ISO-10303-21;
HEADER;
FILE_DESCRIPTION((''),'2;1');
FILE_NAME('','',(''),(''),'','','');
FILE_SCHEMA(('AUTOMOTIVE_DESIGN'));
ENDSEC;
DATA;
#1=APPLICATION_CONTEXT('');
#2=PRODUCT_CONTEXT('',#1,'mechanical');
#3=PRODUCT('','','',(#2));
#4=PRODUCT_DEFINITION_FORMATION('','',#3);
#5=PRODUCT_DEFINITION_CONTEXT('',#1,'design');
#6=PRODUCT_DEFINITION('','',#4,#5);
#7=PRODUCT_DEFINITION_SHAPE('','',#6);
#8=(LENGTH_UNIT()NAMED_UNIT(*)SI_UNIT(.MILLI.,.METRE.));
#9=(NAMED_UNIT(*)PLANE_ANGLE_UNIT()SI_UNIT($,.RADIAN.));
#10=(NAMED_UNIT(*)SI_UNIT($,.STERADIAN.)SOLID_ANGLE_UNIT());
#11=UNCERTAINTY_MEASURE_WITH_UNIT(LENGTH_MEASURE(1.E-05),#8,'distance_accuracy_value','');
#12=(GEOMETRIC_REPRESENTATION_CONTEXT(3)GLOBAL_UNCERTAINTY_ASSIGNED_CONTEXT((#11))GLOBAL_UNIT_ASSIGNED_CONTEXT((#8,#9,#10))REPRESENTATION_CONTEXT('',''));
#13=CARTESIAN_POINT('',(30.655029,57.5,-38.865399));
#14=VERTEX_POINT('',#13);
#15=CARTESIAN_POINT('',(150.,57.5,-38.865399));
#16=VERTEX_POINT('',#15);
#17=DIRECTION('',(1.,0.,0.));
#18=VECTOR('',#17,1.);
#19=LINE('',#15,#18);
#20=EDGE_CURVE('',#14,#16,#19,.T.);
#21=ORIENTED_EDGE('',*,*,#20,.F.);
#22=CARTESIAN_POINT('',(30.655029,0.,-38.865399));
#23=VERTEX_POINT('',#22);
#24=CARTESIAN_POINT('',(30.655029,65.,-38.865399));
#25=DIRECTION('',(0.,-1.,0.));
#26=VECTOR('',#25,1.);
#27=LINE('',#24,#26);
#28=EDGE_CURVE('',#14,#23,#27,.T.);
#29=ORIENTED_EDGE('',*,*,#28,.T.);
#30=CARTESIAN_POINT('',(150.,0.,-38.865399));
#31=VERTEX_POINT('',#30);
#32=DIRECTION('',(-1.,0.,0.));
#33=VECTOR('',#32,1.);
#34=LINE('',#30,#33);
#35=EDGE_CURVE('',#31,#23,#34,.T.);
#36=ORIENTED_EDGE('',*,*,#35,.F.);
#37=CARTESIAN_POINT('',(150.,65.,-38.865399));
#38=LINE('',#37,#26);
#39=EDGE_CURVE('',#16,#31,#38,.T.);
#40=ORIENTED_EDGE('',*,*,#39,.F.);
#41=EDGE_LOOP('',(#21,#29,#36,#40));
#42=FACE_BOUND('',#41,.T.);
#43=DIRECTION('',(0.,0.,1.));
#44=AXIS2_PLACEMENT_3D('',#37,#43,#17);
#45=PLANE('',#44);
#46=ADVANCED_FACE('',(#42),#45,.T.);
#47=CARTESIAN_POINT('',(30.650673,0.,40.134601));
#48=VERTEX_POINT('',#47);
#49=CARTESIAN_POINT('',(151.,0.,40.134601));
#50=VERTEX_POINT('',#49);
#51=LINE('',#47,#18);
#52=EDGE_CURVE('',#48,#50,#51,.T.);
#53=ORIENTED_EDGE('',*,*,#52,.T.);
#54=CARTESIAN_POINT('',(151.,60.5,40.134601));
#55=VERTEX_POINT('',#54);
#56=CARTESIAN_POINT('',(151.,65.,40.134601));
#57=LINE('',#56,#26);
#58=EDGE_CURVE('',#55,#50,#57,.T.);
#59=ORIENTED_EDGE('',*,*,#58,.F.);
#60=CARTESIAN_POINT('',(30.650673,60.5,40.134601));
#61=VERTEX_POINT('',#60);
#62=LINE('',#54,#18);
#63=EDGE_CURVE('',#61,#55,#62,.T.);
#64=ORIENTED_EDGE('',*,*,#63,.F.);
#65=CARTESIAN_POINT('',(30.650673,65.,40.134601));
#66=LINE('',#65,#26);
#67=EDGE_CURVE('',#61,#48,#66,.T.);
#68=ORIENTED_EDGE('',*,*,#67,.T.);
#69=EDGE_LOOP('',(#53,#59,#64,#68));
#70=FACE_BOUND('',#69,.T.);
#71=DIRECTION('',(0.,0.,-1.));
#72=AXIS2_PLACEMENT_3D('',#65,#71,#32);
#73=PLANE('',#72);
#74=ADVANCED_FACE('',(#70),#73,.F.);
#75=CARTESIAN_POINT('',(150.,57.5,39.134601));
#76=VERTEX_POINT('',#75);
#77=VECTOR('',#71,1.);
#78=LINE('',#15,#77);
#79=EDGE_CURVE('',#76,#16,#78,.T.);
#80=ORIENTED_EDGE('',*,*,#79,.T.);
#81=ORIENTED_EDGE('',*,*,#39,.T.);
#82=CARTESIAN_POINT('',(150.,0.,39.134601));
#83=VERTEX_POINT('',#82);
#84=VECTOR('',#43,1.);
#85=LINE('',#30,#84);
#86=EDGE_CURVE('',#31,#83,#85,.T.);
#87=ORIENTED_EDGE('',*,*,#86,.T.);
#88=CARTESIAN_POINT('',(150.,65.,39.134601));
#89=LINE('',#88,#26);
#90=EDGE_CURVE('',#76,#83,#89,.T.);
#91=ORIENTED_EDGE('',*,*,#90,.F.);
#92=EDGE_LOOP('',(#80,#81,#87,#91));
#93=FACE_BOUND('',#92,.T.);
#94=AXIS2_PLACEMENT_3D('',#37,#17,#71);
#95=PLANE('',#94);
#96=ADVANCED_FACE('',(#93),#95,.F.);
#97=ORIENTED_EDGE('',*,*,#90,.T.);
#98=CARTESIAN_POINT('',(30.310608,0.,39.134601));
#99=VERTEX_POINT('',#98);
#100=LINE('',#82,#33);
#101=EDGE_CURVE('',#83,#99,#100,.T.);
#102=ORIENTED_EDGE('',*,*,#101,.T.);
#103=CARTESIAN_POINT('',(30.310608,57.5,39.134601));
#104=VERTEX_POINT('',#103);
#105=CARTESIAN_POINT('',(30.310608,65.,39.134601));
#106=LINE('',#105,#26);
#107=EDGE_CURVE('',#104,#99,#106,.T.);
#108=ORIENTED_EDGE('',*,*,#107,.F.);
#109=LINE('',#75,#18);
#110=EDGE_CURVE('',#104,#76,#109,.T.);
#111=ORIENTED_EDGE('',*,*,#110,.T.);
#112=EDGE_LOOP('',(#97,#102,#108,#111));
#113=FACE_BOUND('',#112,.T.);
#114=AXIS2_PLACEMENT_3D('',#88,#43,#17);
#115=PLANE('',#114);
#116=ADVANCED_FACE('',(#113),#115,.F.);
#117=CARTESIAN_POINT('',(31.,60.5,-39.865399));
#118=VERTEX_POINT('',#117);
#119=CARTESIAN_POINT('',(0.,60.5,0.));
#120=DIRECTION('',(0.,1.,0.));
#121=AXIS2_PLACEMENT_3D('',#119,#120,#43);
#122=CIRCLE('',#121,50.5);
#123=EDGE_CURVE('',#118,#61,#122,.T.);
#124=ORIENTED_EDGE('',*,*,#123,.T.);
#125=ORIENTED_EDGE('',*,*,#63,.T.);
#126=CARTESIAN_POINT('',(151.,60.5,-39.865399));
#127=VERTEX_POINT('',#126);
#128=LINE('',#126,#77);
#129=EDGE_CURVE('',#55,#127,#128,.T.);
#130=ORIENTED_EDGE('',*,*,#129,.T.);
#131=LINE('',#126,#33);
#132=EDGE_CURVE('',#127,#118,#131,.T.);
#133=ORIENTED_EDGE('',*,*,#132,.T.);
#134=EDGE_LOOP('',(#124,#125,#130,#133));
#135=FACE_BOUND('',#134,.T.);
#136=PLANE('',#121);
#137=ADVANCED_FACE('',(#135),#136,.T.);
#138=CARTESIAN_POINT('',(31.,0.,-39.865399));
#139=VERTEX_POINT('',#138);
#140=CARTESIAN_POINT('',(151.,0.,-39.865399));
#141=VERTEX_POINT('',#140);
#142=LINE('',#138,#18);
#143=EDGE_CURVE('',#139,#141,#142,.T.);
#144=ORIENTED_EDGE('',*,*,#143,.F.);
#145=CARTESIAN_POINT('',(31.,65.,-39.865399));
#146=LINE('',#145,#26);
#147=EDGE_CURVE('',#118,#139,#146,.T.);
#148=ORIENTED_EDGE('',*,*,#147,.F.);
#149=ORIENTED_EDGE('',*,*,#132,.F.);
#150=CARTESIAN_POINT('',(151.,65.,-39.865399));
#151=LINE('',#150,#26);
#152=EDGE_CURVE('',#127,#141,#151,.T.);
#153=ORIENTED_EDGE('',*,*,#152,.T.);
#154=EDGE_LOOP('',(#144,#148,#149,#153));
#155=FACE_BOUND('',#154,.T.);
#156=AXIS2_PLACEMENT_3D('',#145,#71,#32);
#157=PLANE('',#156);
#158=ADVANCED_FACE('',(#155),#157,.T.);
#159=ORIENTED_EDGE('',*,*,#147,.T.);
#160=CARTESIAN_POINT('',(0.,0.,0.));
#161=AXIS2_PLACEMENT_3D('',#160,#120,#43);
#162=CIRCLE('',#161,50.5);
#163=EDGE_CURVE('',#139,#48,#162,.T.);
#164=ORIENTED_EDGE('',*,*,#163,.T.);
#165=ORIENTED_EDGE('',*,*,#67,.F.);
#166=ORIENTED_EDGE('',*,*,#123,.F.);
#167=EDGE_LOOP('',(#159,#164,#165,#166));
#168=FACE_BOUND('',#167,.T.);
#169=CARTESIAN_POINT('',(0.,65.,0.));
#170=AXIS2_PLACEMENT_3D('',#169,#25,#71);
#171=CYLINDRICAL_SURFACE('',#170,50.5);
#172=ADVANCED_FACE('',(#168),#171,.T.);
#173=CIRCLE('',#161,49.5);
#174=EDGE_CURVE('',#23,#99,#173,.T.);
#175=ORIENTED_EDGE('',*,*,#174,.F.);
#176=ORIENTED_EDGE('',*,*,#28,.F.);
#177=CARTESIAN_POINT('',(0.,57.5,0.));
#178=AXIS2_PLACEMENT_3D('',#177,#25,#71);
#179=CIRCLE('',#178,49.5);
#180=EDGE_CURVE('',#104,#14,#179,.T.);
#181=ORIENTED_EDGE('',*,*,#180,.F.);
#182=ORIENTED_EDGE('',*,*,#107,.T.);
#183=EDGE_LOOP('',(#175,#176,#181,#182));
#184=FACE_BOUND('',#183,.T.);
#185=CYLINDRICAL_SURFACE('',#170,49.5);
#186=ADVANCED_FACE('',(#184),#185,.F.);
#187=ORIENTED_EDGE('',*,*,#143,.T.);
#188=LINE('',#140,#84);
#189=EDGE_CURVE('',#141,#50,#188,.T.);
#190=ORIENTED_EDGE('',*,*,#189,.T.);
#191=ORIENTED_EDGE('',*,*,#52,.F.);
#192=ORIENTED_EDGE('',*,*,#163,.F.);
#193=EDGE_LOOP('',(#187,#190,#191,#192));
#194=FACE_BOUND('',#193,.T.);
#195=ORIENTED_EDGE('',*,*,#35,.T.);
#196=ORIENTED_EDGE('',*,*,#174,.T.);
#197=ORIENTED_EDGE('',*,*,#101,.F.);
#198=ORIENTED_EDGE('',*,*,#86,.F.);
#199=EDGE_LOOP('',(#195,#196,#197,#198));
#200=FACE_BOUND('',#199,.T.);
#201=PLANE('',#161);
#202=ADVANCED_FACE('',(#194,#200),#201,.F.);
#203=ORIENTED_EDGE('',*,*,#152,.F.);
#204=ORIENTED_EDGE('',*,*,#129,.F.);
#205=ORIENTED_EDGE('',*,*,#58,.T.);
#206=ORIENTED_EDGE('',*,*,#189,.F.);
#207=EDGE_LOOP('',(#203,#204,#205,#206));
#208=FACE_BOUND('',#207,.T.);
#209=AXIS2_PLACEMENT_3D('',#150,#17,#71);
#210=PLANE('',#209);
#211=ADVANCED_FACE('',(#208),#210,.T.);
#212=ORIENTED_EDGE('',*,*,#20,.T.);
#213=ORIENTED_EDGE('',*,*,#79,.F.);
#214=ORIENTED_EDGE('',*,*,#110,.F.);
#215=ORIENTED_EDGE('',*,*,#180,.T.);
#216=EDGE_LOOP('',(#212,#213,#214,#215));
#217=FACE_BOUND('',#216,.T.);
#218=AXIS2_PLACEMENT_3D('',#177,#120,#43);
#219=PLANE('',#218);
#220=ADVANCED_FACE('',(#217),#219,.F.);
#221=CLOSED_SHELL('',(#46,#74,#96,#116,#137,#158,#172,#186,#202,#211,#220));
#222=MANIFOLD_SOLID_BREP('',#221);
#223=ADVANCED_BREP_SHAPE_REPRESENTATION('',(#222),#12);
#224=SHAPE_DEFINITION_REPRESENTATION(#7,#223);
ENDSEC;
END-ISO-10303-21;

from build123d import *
from build123d.topology import SkipClean

# Parameters (mm, degrees)
SALIENTE_EXTRUIR1_DEPTH = 65
SALIENTE_EXTRUIR2_DEPTH = 2.5
CROQUIS4_W              = 101
CROQUIS4_H              = 10
CORTAR_EXTRUIR1_DEPTH   = 250
SALIENTE_EXTRUIR3_DEPTH = 3


with BuildPart() as part:
    # Croquis2 → Saliente-Extruir1 (new body)
    with BuildSketch(Plane(origin=(0, 0, 0), x_dir=(1, 0, 0), z_dir=(0, 1, 0))):
        with BuildLine():
            Line((151, 39.865398531), (31, 39.865398531))
            ThreePointArc((31, 39.865398531), (-50.499518563, 0.220510468), (30.650673156, -40.134601469))
            Line((30.650673156, -40.134601469), (151, -40.134601469))
            Line((151, -40.134601469), (151, 39.865398531))
        make_face()
        with BuildLine():
            Line((30.655028903, 38.865398531), (150, 38.865398531))
            Line((150, 38.865398531), (150, -39.134601469))
            Line((150, -39.134601469), (30.310608173, -39.134601469))
            ThreePointArc((30.310608173, -39.134601469), (-49.499517432, 0.218572563), (30.655028903, 38.865398531))
        make_face(mode=Mode.SUBTRACT)
    extrude(amount=SALIENTE_EXTRUIR1_DEPTH)

    # Croquis3 → Saliente-Extruir2 (add)
    with SkipClean():  # the faces are left unmerged after this step: merging them gives an invalid solid
        with BuildSketch(Plane(origin=(0, 65, 0), x_dir=(1, 0, 0), z_dir=(0, 1, 0))):
            with BuildLine():
                Line((151, 39.865398531), (151, -40.134601469))
                Line((151, -40.134601469), (30.650673156, -40.134601469))
                ThreePointArc((30.650673156, -40.134601469), (-50.499518563, 0.220510468), (31, 39.865398531))
                Line((31, 39.865398531), (151, 39.865398531))
            make_face()
        extrude(amount=SALIENTE_EXTRUIR2_DEPTH)

    # Croquis4 → Cortar-Extruir1 (cut)
    with BuildSketch(Plane(origin=(151, 0, 0), x_dir=(0, 0, -1), z_dir=(1, 0, 0))):
        with Locations((0, 62.5)):
            Rectangle(CROQUIS4_W, CROQUIS4_H)
    extrude(amount=-CORTAR_EXTRUIR1_DEPTH, mode=Mode.SUBTRACT)

    # Croquis5 → Saliente-Extruir3 (add)
    with BuildSketch(Plane(origin=(0, 57.5, 0), x_dir=(1, 0, 0), z_dir=(0, 1, 0))):
        with BuildLine():
            Line((151, 39.865398531), (31, 39.865398531))
            ThreePointArc((31, 39.865398531), (-50.499518563, 0.220510468), (30.650673156, -40.134601469))
            Line((30.650673156, -40.134601469), (151, -40.134601469))
            Line((151, -40.134601469), (151, 39.865398531))
        make_face()
    extrude(amount=SALIENTE_EXTRUIR3_DEPTH)


solid = part.part
